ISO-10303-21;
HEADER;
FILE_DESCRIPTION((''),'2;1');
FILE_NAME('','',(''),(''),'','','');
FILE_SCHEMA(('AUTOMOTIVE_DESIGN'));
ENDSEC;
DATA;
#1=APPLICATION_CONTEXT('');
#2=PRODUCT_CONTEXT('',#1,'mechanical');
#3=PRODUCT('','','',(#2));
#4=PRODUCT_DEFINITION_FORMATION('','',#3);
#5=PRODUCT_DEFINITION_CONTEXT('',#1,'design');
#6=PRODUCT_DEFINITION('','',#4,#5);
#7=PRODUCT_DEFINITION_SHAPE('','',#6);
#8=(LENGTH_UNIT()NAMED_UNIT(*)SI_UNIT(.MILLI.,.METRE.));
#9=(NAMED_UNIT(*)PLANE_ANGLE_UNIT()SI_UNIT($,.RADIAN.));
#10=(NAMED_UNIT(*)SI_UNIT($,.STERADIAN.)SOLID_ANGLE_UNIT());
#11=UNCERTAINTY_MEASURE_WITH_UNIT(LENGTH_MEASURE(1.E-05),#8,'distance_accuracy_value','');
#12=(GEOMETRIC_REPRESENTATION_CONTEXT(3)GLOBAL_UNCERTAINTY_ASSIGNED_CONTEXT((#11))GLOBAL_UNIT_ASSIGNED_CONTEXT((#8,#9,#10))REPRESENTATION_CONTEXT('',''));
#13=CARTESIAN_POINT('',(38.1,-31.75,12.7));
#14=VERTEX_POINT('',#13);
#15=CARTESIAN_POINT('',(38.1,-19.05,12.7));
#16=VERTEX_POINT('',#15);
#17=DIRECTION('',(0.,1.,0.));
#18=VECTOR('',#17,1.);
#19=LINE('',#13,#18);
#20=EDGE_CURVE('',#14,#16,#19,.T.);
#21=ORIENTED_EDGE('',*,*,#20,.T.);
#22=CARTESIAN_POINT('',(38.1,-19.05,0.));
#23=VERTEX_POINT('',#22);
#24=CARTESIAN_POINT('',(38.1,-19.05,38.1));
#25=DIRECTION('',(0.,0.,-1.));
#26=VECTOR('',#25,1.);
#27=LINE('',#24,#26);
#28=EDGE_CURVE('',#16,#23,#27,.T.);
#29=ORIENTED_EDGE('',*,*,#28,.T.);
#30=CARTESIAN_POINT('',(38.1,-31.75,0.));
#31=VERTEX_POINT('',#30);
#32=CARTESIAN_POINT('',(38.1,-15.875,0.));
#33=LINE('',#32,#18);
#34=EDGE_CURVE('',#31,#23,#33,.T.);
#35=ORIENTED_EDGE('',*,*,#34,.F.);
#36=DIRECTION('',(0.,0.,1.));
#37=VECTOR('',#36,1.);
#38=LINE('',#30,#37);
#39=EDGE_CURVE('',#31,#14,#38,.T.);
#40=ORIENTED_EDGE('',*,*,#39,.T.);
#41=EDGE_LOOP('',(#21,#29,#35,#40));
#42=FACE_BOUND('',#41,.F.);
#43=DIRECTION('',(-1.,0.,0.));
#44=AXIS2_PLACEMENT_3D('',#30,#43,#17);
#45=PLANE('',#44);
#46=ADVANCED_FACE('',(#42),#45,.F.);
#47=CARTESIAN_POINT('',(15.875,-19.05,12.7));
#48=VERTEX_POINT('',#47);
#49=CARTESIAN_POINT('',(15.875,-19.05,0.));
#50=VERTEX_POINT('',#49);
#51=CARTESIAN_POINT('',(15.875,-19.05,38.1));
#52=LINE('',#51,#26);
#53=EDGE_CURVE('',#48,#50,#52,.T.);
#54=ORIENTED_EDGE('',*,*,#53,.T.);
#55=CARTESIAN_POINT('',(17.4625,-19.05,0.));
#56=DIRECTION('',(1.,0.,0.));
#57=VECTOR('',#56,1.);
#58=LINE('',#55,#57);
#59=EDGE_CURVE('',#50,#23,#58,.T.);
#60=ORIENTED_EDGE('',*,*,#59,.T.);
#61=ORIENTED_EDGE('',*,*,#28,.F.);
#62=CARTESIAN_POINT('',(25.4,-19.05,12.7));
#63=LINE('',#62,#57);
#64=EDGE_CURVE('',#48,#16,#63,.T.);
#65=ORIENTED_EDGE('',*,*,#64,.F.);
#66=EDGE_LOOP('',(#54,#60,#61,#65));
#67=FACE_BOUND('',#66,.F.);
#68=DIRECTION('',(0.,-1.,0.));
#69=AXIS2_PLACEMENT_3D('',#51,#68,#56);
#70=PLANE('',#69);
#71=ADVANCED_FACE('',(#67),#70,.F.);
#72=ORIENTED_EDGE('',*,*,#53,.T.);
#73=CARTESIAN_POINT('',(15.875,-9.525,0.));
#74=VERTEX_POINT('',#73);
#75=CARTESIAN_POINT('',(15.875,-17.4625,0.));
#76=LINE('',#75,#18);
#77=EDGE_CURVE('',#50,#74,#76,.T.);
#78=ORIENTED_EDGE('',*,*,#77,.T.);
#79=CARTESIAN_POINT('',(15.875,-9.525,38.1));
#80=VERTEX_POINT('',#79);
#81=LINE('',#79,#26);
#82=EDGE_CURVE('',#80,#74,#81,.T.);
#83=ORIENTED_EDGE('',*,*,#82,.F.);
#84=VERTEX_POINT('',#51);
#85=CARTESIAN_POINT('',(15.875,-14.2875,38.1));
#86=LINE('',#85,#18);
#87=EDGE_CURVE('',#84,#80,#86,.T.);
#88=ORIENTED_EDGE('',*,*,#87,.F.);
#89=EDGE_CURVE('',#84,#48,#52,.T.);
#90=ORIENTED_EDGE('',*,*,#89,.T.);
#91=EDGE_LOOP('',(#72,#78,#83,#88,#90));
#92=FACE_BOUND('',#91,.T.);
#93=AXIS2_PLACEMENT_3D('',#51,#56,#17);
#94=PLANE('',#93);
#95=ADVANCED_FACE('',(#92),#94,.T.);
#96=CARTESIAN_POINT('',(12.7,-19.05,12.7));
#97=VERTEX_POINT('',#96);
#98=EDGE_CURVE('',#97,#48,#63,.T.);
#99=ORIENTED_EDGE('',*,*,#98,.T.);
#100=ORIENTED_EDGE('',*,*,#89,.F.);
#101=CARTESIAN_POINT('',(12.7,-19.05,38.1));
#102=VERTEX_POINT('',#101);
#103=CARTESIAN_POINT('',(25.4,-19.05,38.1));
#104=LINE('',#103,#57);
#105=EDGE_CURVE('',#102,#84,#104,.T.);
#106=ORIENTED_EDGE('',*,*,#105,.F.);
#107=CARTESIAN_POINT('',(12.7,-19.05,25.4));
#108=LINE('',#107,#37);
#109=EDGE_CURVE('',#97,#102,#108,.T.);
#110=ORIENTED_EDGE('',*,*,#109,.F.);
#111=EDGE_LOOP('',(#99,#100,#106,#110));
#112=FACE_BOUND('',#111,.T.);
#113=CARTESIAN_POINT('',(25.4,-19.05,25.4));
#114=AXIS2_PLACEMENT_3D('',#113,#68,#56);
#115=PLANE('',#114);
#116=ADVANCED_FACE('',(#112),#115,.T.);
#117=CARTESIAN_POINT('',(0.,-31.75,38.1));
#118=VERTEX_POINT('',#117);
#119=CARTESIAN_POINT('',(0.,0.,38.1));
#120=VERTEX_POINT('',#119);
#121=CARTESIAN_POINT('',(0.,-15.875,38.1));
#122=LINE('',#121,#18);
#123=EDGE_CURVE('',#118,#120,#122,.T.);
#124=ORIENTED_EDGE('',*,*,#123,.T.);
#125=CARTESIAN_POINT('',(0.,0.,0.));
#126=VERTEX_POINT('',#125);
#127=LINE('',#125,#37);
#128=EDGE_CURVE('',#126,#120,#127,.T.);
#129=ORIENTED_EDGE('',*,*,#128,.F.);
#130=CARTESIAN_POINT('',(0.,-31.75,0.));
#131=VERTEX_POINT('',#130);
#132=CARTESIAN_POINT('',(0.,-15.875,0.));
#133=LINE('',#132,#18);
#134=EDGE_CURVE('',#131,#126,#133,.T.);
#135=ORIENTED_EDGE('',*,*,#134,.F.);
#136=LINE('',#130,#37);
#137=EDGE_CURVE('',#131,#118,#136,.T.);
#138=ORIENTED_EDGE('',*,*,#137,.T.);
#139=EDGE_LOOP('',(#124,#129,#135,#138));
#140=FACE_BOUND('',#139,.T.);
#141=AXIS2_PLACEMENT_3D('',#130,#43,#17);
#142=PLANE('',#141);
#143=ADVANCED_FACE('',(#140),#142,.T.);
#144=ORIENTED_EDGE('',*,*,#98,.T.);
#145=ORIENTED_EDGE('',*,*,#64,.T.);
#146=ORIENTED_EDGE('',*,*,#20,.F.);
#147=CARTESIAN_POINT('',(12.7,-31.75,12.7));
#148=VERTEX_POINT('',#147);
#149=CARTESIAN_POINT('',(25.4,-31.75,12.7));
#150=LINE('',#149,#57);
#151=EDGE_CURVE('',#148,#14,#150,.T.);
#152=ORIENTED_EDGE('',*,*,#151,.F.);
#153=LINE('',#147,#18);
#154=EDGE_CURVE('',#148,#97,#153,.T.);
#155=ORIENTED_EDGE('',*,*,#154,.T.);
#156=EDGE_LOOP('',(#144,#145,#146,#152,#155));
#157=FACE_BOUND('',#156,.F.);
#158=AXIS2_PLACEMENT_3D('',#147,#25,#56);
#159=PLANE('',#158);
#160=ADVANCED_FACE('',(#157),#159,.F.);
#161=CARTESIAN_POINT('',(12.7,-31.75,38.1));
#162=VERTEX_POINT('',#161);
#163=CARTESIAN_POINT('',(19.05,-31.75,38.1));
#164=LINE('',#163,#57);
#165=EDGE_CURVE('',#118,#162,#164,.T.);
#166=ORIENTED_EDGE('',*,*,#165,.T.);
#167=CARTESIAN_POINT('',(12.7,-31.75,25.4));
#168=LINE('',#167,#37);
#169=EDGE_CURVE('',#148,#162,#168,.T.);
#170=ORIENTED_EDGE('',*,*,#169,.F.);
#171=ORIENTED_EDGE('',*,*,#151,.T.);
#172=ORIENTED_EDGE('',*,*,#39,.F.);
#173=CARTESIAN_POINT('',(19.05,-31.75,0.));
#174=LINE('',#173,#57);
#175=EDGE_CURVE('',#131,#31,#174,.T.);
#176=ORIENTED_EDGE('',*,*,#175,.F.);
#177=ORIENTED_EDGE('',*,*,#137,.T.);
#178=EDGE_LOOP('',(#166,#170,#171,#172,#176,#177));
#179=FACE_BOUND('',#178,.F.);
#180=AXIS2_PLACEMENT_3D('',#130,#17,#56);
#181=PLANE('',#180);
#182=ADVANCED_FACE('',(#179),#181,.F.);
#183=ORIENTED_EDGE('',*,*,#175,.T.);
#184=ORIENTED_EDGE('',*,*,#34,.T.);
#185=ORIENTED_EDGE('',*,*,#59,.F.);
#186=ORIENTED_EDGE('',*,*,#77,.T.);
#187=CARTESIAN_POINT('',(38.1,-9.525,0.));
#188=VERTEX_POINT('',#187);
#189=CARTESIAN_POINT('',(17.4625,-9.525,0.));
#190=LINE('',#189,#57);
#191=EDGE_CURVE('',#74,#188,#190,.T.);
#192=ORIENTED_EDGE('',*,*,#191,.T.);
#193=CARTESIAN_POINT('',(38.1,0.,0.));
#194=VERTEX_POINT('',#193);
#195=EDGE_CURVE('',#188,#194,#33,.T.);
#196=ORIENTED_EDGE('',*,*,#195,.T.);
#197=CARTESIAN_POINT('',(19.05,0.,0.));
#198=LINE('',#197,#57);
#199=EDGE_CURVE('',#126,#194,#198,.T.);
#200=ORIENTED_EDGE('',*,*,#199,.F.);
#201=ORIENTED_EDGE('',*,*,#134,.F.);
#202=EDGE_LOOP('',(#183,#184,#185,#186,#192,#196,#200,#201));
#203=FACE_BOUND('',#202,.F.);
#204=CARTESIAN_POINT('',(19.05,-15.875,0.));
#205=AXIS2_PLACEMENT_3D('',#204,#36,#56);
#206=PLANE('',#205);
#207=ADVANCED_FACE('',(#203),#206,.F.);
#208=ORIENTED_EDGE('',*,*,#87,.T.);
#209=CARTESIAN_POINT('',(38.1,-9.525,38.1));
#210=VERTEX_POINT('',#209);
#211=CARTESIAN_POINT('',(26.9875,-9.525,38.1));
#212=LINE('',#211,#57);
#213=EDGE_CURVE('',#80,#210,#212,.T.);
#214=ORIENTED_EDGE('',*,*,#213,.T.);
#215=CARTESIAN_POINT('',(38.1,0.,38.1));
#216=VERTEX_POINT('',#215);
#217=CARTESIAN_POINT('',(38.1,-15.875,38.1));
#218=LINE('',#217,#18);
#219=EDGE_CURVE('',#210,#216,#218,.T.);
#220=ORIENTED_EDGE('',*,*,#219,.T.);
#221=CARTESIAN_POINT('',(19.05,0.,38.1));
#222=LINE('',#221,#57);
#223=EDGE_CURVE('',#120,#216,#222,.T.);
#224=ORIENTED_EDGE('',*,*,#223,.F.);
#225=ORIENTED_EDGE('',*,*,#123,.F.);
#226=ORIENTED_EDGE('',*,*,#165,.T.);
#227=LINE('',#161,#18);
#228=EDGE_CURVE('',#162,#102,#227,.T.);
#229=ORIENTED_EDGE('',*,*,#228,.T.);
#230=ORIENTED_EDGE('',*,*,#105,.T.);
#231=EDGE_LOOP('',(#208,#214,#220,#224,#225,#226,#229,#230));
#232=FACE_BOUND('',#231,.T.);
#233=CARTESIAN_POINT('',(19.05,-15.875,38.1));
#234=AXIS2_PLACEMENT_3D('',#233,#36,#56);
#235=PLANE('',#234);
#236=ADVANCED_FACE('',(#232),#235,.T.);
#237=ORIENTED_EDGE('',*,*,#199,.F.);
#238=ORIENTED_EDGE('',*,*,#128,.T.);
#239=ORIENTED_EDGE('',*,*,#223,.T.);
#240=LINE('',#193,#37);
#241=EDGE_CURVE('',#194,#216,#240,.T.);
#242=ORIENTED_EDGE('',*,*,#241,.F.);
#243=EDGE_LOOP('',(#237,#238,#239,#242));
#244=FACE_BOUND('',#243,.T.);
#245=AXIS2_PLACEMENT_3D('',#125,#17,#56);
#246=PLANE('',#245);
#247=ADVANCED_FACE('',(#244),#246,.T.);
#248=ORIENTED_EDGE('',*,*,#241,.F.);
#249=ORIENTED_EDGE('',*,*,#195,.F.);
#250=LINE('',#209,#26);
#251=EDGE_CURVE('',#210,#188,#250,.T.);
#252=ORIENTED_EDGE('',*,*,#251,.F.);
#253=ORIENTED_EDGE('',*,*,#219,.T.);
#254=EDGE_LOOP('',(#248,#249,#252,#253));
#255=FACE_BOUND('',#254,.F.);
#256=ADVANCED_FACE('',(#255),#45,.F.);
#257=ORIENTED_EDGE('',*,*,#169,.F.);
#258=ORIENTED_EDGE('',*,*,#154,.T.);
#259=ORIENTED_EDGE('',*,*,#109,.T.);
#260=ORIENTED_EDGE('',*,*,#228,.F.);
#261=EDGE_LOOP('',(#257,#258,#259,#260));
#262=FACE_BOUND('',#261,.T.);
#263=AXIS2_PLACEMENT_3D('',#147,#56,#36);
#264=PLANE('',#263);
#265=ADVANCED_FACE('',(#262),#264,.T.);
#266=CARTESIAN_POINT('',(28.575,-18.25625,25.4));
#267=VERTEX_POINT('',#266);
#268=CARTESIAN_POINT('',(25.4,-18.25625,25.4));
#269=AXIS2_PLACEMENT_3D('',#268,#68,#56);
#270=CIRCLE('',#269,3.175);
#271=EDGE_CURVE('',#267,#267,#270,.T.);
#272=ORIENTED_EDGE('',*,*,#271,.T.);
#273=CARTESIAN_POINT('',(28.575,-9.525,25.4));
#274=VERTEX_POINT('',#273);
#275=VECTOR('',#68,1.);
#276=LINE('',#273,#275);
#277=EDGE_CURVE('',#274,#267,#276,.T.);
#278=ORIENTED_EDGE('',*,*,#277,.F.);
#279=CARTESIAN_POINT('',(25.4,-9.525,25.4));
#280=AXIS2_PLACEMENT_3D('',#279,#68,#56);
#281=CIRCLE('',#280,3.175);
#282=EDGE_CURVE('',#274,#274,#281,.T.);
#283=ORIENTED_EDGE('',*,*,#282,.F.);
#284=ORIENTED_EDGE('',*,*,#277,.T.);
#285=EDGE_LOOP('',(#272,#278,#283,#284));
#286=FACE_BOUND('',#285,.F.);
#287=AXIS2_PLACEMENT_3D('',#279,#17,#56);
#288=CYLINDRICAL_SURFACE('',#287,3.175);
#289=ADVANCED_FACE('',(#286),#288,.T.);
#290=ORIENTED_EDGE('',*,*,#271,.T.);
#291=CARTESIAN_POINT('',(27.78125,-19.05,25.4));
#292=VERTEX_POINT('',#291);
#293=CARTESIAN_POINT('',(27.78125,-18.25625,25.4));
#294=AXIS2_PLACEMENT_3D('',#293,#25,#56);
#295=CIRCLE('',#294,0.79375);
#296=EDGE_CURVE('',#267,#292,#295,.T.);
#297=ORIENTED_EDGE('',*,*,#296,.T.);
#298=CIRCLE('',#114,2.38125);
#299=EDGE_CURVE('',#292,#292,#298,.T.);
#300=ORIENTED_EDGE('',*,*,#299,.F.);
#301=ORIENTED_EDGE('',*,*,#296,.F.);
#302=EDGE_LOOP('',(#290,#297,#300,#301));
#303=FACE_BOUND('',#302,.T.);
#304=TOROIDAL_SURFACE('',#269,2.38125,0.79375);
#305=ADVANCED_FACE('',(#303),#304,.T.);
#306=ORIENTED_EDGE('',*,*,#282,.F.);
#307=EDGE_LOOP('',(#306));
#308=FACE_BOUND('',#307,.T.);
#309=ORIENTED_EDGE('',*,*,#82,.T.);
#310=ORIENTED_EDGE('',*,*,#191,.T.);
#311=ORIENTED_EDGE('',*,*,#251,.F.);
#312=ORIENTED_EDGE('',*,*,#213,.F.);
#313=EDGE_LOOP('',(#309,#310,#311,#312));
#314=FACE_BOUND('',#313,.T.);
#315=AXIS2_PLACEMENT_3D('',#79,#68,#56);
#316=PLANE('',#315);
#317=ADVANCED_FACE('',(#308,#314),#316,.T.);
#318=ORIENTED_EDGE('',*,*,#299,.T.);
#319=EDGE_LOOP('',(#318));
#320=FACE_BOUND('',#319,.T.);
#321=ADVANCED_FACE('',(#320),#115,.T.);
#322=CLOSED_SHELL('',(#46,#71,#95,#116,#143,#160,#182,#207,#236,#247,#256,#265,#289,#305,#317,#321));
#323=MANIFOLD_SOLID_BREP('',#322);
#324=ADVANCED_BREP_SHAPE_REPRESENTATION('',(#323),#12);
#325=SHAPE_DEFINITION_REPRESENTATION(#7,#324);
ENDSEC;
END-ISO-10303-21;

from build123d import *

# Parameters (mm, degrees)
F0_W     = 38.1
F0_H     = 31.75
F1_DEPTH = 38.1
F2_W     = 25.4
F2_H     = 25.4
F3_DEPTH = 12.7
F4_W     = 22.225
F4_H     = 9.525
F5_DEPTH = 38.101
F6_R     = 3.175
F7_DEPTH = 9.525
F8_R     = 0.79375


with BuildPart() as f1:
    # F0 (on Top) → F1 (new body)
    with BuildSketch(Plane.XY):
        with Locations((19.05, -15.875)):
            Rectangle(F0_W, F0_H)
    extrude(amount=F1_DEPTH)

    # F2 (on face) → F3 (cut)
    with BuildSketch(Plane.XZ.offset(31.75)):
        with Locations((25.4, 25.4)):
            Rectangle(F2_W, F2_H)
    extrude(amount=-F3_DEPTH, mode=Mode.SUBTRACT)

    # F4 (on face) → F5 (cut, through all)
    with BuildSketch(Plane.XY.offset(38.1)):
        with Locations((26.9875, -14.2875)):
            Rectangle(F4_W, F4_H)
    extrude(amount=-F5_DEPTH, mode=Mode.SUBTRACT)

    # F6 (on face) → F7 (join)
    with BuildSketch(Plane.XZ.offset(9.525)):
        with Locations((25.4, 25.4)):
            Circle(F6_R)
    extrude(amount=F7_DEPTH)

    # F8
    f8_edges = [f1.edges().sort_by_distance(p)[0] for p in [
        (22.225, -19.05, 25.4),
    ]]
    fillet(f8_edges, radius=F8_R)


solid = f1.part
